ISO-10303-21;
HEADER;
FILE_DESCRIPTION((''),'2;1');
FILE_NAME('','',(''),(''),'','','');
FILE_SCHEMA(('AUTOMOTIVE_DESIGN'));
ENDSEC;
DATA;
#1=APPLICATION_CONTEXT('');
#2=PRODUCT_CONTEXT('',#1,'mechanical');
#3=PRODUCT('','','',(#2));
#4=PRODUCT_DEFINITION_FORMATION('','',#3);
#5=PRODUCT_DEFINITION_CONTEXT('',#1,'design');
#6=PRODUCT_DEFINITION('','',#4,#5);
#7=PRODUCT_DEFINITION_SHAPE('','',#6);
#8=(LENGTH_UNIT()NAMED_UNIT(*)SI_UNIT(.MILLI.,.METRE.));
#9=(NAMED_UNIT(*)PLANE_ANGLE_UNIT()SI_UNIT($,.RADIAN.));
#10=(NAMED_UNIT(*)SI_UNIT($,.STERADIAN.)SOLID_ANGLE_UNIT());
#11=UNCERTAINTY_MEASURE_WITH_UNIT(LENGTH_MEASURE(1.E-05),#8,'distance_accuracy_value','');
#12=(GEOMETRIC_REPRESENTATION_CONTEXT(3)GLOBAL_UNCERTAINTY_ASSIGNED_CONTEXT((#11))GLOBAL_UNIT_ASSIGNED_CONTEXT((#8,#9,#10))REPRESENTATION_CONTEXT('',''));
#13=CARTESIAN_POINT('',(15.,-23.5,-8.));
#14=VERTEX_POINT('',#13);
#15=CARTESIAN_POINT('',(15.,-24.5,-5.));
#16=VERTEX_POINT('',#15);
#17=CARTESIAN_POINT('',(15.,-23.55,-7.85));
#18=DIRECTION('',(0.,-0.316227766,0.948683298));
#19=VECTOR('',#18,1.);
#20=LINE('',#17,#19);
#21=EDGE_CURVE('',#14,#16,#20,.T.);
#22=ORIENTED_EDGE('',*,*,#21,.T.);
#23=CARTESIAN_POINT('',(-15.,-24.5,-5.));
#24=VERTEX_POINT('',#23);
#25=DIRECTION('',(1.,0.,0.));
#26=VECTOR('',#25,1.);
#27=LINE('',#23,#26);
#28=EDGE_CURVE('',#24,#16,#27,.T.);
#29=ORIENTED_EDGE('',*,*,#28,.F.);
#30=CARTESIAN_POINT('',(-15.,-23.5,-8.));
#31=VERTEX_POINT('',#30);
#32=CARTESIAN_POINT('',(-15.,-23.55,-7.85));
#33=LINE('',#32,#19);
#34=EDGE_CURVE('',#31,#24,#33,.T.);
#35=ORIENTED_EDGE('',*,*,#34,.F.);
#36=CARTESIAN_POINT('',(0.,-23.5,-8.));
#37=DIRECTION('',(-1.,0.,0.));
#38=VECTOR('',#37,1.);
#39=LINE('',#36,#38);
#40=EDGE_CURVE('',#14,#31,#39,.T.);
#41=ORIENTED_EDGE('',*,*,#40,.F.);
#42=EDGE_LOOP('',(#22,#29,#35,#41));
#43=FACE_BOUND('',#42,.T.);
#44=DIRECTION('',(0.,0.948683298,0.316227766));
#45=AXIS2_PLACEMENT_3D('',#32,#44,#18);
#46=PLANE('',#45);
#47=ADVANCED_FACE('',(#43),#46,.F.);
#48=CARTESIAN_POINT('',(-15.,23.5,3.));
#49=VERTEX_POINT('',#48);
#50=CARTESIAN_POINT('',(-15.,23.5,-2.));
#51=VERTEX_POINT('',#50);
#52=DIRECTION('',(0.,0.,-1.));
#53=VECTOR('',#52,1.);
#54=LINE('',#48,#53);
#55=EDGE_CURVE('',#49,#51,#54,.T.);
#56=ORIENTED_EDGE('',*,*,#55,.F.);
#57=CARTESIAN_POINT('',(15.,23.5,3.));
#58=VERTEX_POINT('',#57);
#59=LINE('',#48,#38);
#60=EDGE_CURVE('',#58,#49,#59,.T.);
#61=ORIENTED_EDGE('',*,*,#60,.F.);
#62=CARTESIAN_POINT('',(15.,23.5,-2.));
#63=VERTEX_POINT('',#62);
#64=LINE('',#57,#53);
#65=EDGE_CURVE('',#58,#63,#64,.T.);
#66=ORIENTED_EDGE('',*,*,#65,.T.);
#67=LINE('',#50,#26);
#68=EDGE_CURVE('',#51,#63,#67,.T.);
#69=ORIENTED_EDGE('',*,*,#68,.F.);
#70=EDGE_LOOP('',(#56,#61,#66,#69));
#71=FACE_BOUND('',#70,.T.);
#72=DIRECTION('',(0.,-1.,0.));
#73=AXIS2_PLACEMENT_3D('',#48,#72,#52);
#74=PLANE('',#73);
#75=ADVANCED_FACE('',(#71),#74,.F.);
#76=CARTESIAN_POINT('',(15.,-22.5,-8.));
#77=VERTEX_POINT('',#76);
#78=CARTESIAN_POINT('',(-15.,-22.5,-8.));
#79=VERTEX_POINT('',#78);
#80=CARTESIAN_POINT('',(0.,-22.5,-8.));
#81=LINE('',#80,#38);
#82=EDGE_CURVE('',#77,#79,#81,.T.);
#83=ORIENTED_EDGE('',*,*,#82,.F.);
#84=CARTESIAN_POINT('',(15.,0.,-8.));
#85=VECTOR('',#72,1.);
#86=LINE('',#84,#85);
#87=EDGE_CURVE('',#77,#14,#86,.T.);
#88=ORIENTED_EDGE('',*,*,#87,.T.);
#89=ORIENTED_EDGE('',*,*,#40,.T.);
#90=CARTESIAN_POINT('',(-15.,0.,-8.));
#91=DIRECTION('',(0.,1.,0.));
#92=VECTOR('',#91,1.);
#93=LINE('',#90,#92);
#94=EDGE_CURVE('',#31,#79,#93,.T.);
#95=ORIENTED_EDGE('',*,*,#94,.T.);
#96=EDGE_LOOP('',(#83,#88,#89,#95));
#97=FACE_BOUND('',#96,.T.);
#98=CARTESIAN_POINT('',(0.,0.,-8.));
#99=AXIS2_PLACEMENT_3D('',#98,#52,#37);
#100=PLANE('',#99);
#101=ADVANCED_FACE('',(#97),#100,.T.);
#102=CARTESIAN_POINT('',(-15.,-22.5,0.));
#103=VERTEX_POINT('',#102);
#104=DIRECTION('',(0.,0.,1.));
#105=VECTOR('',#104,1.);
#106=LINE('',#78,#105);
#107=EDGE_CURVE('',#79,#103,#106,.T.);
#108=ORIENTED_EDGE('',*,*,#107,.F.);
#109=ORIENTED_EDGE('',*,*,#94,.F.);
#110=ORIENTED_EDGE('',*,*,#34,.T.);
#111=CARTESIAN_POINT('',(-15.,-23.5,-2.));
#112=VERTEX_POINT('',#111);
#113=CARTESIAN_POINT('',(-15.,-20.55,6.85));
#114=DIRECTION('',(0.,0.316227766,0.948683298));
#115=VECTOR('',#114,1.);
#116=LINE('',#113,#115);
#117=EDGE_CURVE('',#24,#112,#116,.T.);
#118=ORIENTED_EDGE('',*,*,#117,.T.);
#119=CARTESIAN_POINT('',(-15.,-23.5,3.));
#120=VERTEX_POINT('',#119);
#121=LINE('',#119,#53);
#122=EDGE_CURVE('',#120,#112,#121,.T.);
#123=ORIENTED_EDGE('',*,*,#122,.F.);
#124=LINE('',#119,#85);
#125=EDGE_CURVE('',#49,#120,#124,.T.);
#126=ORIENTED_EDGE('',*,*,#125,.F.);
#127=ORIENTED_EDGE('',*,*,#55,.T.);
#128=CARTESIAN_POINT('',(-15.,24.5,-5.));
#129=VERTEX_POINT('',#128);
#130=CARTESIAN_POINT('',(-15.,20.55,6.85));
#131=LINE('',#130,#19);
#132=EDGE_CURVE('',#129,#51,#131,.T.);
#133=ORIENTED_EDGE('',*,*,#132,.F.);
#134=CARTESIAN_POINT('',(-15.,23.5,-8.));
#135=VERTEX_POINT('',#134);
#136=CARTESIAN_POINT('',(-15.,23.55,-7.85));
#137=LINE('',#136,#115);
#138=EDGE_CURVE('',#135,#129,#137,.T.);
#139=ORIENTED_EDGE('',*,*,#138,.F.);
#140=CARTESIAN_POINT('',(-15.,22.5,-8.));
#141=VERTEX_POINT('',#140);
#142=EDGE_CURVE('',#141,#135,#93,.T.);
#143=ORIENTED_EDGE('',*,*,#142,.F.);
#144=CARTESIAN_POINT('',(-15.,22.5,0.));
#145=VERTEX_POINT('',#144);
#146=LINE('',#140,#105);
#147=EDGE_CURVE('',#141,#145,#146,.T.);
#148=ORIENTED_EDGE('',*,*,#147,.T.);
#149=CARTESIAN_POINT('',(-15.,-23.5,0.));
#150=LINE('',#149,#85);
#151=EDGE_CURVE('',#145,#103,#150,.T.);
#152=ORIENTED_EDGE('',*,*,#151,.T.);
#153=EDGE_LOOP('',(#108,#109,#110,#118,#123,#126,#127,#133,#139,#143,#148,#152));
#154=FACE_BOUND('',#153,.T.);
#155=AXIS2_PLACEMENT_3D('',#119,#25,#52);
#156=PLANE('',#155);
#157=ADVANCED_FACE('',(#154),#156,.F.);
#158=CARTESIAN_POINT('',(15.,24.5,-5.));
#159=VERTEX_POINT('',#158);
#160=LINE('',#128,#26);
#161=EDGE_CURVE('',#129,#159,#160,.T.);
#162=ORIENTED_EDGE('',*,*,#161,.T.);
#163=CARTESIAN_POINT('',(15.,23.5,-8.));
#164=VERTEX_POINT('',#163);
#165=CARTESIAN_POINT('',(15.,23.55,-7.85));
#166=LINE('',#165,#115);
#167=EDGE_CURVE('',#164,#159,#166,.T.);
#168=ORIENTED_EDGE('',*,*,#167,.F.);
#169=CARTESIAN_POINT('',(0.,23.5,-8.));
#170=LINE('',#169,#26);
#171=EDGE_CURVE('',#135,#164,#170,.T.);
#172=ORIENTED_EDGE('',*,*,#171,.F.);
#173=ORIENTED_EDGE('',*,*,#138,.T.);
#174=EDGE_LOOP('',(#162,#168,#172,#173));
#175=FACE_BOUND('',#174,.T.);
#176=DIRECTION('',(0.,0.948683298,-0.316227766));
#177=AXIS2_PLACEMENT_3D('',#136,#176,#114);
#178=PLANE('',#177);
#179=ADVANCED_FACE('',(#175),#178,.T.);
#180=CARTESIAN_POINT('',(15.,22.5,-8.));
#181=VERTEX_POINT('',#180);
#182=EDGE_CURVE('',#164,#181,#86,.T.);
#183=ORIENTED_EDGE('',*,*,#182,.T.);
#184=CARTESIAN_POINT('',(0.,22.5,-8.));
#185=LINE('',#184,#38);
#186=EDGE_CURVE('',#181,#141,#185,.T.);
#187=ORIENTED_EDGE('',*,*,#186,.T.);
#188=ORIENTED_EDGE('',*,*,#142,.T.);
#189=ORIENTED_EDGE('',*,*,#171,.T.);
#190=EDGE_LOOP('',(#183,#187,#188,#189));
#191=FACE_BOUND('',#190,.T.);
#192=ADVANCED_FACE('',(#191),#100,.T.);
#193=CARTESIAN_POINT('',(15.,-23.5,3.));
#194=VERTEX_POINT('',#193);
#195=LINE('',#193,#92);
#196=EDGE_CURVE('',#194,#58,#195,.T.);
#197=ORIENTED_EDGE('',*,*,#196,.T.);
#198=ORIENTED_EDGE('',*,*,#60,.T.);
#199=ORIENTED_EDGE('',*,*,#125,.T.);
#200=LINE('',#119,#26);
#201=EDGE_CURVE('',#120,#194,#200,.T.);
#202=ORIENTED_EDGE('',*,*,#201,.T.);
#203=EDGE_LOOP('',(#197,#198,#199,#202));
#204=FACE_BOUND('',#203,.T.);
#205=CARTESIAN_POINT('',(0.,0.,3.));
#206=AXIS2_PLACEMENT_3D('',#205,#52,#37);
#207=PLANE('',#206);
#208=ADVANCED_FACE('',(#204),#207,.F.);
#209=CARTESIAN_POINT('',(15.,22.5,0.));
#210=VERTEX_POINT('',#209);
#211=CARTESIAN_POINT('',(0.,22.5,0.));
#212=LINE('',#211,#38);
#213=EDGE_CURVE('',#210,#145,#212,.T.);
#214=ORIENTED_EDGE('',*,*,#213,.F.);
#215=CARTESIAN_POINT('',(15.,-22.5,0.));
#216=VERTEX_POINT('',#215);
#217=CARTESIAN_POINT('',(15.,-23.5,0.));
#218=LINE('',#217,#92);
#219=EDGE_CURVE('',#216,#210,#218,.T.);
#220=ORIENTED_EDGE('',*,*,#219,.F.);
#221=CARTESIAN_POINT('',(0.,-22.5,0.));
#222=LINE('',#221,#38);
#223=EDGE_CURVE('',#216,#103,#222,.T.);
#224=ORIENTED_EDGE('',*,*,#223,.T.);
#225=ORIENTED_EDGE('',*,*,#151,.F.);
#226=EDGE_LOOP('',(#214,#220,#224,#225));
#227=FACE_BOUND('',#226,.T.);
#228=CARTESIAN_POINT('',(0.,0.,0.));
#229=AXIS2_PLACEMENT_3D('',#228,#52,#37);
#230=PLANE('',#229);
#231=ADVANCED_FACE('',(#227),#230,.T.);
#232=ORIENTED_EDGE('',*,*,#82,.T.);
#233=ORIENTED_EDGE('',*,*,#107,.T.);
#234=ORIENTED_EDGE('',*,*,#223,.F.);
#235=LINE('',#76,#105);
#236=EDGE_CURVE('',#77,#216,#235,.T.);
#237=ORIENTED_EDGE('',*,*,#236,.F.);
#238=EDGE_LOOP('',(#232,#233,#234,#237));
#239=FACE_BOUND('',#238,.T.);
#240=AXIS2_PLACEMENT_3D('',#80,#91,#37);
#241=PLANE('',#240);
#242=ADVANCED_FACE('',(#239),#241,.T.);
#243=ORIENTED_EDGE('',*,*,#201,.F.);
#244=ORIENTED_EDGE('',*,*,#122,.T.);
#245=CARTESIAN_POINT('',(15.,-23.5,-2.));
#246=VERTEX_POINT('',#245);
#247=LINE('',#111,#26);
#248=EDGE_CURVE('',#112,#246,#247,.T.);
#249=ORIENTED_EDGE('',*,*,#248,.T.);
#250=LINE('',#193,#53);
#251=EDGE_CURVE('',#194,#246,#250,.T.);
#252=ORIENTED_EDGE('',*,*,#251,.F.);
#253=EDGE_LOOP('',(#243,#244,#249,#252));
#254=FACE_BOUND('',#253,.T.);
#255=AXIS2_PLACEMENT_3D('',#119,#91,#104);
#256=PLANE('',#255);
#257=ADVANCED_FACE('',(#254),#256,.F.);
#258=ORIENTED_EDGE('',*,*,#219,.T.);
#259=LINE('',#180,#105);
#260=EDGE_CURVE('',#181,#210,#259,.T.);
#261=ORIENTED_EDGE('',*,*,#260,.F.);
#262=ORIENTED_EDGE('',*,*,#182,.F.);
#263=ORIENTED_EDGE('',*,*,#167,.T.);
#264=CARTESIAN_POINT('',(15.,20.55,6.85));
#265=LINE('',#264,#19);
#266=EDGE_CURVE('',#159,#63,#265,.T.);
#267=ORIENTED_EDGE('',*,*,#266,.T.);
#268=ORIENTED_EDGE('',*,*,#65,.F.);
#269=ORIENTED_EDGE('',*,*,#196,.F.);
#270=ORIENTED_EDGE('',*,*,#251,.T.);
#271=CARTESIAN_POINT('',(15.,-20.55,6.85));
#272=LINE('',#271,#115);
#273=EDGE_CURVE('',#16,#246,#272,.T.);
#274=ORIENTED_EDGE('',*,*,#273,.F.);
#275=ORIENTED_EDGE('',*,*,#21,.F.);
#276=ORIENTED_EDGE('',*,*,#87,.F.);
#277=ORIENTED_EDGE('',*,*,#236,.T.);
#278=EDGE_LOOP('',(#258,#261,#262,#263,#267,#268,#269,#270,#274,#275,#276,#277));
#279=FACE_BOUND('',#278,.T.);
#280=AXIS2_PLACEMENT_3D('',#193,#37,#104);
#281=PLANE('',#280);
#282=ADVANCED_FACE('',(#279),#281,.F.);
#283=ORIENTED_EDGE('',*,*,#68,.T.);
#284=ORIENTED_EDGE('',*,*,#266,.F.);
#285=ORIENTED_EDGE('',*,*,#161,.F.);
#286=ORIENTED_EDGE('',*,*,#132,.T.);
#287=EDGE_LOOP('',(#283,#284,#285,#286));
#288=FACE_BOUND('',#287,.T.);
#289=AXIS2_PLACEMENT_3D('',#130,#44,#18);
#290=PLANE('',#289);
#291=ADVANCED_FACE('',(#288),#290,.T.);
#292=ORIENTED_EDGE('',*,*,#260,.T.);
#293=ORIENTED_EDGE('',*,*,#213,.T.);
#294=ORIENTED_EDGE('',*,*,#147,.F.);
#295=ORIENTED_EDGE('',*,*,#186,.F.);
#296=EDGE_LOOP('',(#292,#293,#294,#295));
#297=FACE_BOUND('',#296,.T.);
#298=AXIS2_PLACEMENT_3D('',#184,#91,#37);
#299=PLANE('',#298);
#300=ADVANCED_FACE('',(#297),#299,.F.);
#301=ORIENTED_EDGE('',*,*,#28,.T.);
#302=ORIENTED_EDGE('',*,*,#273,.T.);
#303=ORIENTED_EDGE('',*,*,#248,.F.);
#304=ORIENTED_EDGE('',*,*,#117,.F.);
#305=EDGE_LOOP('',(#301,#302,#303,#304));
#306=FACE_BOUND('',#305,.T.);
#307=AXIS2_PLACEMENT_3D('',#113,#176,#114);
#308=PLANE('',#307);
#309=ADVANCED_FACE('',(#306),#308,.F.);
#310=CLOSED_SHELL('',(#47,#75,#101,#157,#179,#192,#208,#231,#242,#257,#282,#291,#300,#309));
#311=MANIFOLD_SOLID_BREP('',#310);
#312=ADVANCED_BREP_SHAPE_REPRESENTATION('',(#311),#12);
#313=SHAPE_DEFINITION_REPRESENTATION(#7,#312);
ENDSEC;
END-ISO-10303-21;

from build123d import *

# Parameters (mm, degrees)
SKETCH_1_W      = 30
SKETCH_1_H      = 47
EXTRUDE_1_DEPTH = 3
SKETCH_2_W      = 30
SKETCH_2_H      = 1
EXTRUDE_2_DEPTH = 8
EXTRUDE_3_DEPTH = 30


with BuildPart() as part:
    # 草图1 → 凸台-拉伸1 (new body)
    with BuildSketch(Plane.XY):
        Rectangle(SKETCH_1_W, SKETCH_1_H)
    extrude(amount=EXTRUDE_1_DEPTH)

    # 草图2 → 凸台-拉伸2 (add)
    with BuildSketch(Plane(origin=(0, 0, 0), x_dir=(-1, 0, 0), z_dir=(0, 0, -1))):
        with Locations((0, 23)):
            Rectangle(SKETCH_2_W, SKETCH_2_H)
        with Locations((0, -23)):
            Rectangle(SKETCH_2_W, SKETCH_2_H)
    extrude(amount=EXTRUDE_2_DEPTH)

    # 草图3 → 凸台-拉伸3 (add, through all)
    with BuildSketch(Plane(origin=(15, 0, 0), x_dir=(0, 0, -1), z_dir=(1, 0, 0))):
        Polygon((2, 23.5), (8, 23.5), (5, 24.5), align=None)
        Polygon((8, -23.5), (2, -23.5), (5, -24.5), align=None)
    extrude(amount=-EXTRUDE_3_DEPTH)


solid = part.part
